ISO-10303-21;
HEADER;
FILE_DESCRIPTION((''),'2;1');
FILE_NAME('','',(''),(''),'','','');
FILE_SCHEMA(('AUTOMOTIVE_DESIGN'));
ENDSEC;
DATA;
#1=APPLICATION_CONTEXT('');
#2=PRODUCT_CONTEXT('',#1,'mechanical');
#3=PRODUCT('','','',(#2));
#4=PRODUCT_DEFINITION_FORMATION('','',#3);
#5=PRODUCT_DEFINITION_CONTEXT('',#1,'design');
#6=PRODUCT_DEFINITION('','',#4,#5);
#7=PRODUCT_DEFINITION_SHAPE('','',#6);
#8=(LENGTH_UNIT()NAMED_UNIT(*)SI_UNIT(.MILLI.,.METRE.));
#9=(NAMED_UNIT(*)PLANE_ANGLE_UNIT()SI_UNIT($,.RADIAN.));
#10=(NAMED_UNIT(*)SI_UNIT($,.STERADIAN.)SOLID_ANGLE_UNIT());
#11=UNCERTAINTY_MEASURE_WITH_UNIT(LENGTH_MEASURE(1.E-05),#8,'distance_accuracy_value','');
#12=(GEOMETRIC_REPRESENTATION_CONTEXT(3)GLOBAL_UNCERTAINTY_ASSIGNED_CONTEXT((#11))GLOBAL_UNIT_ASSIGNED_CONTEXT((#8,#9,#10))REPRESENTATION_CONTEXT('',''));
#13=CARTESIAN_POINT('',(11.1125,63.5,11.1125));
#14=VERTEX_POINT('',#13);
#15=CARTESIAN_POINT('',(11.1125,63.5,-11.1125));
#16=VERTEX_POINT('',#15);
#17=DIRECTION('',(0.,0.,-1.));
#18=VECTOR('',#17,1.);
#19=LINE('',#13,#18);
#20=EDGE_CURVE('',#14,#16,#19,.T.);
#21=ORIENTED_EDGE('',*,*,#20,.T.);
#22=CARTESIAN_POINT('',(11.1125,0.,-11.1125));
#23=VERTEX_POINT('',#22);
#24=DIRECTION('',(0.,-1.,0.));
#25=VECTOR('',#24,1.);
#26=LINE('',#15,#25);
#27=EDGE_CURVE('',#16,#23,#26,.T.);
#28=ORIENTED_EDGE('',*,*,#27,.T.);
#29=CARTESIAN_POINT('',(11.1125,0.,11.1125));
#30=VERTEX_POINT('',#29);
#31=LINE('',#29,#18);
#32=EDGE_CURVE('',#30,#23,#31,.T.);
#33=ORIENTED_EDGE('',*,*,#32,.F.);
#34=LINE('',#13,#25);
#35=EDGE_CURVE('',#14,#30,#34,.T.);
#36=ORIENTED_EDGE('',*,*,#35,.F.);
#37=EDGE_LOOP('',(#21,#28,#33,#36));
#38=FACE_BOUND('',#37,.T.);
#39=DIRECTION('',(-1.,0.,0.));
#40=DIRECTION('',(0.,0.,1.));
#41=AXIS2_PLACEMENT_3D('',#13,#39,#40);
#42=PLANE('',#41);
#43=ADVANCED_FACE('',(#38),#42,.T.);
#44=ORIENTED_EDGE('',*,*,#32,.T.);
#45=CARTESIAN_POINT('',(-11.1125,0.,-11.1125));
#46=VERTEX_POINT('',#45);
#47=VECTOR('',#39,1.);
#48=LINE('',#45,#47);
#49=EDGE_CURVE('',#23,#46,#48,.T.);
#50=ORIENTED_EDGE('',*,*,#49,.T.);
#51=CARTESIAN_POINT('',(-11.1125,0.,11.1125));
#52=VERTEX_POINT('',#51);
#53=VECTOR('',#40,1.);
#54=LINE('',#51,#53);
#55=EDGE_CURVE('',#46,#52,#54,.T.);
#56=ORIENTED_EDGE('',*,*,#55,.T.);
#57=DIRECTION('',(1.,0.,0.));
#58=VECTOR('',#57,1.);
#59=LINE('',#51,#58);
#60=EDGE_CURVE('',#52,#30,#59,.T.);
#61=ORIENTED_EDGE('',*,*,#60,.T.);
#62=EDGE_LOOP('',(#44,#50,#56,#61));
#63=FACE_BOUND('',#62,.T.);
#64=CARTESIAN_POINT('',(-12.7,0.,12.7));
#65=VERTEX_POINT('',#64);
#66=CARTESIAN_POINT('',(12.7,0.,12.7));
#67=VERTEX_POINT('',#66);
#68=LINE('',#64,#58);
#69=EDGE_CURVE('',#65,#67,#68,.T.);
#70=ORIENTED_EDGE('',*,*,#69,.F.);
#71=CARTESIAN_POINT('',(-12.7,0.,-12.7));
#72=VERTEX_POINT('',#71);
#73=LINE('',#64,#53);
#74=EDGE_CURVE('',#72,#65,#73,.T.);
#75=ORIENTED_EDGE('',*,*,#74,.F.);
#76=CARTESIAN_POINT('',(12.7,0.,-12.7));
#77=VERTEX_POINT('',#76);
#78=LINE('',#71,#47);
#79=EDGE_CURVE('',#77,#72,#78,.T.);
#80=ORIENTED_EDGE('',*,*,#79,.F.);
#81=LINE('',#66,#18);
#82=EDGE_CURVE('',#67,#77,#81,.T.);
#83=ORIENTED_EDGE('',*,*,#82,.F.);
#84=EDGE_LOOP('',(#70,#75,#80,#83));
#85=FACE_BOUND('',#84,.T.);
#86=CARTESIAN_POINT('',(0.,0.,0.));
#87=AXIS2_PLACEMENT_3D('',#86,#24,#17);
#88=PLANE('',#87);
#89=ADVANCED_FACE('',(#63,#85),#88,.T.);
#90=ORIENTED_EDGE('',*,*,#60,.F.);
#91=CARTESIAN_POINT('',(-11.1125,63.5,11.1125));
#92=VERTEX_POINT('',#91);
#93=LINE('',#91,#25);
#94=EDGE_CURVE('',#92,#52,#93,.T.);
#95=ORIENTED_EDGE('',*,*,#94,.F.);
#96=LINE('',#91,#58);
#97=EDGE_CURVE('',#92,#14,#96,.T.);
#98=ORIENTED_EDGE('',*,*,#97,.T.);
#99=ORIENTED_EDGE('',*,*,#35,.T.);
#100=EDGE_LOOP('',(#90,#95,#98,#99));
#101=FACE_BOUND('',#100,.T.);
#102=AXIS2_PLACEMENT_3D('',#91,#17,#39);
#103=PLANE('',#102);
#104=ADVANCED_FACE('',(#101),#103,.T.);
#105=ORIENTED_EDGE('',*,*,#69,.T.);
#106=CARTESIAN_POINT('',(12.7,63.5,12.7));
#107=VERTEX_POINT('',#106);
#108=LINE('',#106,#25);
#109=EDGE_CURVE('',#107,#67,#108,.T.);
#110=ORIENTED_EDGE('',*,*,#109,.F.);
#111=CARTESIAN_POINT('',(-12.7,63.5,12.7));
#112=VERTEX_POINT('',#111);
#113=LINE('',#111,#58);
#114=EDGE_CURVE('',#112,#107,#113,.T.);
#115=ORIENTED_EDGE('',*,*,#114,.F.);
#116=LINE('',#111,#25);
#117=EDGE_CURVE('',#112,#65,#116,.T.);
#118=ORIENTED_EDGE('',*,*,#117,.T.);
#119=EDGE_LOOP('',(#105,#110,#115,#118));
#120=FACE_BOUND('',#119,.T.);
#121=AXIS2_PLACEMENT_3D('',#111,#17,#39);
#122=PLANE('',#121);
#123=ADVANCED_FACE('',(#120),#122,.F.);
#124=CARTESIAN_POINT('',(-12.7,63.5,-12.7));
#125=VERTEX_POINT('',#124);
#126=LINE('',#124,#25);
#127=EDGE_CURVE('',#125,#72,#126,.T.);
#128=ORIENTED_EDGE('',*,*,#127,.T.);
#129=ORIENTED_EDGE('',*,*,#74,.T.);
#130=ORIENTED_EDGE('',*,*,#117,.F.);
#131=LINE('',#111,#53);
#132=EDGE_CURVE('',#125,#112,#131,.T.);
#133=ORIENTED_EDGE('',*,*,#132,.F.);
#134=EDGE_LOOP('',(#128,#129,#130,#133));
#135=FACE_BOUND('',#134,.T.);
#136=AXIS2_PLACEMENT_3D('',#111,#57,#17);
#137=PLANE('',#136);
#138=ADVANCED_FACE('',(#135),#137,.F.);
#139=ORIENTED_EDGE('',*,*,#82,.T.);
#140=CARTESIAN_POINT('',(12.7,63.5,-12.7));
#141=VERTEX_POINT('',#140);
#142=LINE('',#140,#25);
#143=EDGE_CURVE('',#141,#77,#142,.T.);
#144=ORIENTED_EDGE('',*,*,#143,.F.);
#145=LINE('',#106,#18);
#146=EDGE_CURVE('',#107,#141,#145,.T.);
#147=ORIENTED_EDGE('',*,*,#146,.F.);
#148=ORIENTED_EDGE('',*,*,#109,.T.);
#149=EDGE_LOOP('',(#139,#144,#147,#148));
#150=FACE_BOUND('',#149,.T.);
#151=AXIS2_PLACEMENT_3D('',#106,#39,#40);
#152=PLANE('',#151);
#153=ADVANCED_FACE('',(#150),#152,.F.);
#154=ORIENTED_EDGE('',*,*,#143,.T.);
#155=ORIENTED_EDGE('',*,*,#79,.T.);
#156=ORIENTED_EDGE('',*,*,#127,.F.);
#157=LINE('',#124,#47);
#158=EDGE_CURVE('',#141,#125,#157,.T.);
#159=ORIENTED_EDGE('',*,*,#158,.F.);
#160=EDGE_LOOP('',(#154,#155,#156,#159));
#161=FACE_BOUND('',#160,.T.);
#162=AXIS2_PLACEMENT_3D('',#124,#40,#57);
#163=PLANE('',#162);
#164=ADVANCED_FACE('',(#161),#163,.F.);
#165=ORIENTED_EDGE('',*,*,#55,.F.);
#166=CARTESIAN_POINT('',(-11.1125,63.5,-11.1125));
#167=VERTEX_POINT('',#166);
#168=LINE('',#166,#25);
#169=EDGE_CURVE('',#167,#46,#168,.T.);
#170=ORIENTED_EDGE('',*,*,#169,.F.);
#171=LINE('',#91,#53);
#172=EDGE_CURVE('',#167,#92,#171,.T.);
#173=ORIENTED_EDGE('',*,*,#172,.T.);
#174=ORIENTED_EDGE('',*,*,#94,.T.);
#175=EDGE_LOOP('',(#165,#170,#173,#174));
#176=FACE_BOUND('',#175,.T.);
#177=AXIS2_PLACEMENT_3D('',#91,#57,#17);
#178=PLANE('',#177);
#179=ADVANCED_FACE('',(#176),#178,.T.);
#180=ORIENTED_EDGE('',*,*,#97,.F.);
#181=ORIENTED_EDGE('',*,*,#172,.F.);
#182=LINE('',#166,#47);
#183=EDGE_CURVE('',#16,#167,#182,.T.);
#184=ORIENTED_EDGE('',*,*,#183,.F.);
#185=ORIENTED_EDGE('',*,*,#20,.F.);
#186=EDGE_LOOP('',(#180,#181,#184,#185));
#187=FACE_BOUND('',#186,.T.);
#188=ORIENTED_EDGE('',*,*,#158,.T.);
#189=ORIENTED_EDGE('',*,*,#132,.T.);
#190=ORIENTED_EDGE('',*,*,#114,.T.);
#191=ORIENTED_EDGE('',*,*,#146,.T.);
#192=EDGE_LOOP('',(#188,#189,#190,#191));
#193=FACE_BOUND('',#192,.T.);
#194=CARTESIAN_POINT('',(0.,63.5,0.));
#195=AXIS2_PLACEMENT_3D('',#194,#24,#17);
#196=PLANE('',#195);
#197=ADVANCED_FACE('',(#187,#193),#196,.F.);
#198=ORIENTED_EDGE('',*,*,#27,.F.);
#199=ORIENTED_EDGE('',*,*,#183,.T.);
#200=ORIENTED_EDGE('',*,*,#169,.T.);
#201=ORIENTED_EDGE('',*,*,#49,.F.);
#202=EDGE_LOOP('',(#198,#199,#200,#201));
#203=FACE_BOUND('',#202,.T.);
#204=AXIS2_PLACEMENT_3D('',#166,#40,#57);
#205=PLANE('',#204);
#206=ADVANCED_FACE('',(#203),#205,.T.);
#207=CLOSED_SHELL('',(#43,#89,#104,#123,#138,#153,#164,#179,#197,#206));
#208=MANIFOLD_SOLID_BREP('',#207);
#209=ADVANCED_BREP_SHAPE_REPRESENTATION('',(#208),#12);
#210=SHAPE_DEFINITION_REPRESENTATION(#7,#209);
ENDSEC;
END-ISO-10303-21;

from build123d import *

# Parameters (mm, degrees)
SKETCH1_W           = 25.4
SKETCH1_H           = 25.4
SKETCH1_W_2         = 22.225
SKETCH1_H_2         = 22.225
BOSS_EXTRUDE1_DEPTH = 63.5


with BuildPart() as part:
    # Sketch1 → Boss-Extrude1 (new body)
    with BuildSketch(Plane(origin=(0, 0, 0), x_dir=(1, 0, 0), z_dir=(0, 1, 0))):
        Rectangle(SKETCH1_W, SKETCH1_H)
        Rectangle(SKETCH1_W_2, SKETCH1_H_2, mode=Mode.SUBTRACT)
    extrude(amount=BOSS_EXTRUDE1_DEPTH)


solid = part.part
